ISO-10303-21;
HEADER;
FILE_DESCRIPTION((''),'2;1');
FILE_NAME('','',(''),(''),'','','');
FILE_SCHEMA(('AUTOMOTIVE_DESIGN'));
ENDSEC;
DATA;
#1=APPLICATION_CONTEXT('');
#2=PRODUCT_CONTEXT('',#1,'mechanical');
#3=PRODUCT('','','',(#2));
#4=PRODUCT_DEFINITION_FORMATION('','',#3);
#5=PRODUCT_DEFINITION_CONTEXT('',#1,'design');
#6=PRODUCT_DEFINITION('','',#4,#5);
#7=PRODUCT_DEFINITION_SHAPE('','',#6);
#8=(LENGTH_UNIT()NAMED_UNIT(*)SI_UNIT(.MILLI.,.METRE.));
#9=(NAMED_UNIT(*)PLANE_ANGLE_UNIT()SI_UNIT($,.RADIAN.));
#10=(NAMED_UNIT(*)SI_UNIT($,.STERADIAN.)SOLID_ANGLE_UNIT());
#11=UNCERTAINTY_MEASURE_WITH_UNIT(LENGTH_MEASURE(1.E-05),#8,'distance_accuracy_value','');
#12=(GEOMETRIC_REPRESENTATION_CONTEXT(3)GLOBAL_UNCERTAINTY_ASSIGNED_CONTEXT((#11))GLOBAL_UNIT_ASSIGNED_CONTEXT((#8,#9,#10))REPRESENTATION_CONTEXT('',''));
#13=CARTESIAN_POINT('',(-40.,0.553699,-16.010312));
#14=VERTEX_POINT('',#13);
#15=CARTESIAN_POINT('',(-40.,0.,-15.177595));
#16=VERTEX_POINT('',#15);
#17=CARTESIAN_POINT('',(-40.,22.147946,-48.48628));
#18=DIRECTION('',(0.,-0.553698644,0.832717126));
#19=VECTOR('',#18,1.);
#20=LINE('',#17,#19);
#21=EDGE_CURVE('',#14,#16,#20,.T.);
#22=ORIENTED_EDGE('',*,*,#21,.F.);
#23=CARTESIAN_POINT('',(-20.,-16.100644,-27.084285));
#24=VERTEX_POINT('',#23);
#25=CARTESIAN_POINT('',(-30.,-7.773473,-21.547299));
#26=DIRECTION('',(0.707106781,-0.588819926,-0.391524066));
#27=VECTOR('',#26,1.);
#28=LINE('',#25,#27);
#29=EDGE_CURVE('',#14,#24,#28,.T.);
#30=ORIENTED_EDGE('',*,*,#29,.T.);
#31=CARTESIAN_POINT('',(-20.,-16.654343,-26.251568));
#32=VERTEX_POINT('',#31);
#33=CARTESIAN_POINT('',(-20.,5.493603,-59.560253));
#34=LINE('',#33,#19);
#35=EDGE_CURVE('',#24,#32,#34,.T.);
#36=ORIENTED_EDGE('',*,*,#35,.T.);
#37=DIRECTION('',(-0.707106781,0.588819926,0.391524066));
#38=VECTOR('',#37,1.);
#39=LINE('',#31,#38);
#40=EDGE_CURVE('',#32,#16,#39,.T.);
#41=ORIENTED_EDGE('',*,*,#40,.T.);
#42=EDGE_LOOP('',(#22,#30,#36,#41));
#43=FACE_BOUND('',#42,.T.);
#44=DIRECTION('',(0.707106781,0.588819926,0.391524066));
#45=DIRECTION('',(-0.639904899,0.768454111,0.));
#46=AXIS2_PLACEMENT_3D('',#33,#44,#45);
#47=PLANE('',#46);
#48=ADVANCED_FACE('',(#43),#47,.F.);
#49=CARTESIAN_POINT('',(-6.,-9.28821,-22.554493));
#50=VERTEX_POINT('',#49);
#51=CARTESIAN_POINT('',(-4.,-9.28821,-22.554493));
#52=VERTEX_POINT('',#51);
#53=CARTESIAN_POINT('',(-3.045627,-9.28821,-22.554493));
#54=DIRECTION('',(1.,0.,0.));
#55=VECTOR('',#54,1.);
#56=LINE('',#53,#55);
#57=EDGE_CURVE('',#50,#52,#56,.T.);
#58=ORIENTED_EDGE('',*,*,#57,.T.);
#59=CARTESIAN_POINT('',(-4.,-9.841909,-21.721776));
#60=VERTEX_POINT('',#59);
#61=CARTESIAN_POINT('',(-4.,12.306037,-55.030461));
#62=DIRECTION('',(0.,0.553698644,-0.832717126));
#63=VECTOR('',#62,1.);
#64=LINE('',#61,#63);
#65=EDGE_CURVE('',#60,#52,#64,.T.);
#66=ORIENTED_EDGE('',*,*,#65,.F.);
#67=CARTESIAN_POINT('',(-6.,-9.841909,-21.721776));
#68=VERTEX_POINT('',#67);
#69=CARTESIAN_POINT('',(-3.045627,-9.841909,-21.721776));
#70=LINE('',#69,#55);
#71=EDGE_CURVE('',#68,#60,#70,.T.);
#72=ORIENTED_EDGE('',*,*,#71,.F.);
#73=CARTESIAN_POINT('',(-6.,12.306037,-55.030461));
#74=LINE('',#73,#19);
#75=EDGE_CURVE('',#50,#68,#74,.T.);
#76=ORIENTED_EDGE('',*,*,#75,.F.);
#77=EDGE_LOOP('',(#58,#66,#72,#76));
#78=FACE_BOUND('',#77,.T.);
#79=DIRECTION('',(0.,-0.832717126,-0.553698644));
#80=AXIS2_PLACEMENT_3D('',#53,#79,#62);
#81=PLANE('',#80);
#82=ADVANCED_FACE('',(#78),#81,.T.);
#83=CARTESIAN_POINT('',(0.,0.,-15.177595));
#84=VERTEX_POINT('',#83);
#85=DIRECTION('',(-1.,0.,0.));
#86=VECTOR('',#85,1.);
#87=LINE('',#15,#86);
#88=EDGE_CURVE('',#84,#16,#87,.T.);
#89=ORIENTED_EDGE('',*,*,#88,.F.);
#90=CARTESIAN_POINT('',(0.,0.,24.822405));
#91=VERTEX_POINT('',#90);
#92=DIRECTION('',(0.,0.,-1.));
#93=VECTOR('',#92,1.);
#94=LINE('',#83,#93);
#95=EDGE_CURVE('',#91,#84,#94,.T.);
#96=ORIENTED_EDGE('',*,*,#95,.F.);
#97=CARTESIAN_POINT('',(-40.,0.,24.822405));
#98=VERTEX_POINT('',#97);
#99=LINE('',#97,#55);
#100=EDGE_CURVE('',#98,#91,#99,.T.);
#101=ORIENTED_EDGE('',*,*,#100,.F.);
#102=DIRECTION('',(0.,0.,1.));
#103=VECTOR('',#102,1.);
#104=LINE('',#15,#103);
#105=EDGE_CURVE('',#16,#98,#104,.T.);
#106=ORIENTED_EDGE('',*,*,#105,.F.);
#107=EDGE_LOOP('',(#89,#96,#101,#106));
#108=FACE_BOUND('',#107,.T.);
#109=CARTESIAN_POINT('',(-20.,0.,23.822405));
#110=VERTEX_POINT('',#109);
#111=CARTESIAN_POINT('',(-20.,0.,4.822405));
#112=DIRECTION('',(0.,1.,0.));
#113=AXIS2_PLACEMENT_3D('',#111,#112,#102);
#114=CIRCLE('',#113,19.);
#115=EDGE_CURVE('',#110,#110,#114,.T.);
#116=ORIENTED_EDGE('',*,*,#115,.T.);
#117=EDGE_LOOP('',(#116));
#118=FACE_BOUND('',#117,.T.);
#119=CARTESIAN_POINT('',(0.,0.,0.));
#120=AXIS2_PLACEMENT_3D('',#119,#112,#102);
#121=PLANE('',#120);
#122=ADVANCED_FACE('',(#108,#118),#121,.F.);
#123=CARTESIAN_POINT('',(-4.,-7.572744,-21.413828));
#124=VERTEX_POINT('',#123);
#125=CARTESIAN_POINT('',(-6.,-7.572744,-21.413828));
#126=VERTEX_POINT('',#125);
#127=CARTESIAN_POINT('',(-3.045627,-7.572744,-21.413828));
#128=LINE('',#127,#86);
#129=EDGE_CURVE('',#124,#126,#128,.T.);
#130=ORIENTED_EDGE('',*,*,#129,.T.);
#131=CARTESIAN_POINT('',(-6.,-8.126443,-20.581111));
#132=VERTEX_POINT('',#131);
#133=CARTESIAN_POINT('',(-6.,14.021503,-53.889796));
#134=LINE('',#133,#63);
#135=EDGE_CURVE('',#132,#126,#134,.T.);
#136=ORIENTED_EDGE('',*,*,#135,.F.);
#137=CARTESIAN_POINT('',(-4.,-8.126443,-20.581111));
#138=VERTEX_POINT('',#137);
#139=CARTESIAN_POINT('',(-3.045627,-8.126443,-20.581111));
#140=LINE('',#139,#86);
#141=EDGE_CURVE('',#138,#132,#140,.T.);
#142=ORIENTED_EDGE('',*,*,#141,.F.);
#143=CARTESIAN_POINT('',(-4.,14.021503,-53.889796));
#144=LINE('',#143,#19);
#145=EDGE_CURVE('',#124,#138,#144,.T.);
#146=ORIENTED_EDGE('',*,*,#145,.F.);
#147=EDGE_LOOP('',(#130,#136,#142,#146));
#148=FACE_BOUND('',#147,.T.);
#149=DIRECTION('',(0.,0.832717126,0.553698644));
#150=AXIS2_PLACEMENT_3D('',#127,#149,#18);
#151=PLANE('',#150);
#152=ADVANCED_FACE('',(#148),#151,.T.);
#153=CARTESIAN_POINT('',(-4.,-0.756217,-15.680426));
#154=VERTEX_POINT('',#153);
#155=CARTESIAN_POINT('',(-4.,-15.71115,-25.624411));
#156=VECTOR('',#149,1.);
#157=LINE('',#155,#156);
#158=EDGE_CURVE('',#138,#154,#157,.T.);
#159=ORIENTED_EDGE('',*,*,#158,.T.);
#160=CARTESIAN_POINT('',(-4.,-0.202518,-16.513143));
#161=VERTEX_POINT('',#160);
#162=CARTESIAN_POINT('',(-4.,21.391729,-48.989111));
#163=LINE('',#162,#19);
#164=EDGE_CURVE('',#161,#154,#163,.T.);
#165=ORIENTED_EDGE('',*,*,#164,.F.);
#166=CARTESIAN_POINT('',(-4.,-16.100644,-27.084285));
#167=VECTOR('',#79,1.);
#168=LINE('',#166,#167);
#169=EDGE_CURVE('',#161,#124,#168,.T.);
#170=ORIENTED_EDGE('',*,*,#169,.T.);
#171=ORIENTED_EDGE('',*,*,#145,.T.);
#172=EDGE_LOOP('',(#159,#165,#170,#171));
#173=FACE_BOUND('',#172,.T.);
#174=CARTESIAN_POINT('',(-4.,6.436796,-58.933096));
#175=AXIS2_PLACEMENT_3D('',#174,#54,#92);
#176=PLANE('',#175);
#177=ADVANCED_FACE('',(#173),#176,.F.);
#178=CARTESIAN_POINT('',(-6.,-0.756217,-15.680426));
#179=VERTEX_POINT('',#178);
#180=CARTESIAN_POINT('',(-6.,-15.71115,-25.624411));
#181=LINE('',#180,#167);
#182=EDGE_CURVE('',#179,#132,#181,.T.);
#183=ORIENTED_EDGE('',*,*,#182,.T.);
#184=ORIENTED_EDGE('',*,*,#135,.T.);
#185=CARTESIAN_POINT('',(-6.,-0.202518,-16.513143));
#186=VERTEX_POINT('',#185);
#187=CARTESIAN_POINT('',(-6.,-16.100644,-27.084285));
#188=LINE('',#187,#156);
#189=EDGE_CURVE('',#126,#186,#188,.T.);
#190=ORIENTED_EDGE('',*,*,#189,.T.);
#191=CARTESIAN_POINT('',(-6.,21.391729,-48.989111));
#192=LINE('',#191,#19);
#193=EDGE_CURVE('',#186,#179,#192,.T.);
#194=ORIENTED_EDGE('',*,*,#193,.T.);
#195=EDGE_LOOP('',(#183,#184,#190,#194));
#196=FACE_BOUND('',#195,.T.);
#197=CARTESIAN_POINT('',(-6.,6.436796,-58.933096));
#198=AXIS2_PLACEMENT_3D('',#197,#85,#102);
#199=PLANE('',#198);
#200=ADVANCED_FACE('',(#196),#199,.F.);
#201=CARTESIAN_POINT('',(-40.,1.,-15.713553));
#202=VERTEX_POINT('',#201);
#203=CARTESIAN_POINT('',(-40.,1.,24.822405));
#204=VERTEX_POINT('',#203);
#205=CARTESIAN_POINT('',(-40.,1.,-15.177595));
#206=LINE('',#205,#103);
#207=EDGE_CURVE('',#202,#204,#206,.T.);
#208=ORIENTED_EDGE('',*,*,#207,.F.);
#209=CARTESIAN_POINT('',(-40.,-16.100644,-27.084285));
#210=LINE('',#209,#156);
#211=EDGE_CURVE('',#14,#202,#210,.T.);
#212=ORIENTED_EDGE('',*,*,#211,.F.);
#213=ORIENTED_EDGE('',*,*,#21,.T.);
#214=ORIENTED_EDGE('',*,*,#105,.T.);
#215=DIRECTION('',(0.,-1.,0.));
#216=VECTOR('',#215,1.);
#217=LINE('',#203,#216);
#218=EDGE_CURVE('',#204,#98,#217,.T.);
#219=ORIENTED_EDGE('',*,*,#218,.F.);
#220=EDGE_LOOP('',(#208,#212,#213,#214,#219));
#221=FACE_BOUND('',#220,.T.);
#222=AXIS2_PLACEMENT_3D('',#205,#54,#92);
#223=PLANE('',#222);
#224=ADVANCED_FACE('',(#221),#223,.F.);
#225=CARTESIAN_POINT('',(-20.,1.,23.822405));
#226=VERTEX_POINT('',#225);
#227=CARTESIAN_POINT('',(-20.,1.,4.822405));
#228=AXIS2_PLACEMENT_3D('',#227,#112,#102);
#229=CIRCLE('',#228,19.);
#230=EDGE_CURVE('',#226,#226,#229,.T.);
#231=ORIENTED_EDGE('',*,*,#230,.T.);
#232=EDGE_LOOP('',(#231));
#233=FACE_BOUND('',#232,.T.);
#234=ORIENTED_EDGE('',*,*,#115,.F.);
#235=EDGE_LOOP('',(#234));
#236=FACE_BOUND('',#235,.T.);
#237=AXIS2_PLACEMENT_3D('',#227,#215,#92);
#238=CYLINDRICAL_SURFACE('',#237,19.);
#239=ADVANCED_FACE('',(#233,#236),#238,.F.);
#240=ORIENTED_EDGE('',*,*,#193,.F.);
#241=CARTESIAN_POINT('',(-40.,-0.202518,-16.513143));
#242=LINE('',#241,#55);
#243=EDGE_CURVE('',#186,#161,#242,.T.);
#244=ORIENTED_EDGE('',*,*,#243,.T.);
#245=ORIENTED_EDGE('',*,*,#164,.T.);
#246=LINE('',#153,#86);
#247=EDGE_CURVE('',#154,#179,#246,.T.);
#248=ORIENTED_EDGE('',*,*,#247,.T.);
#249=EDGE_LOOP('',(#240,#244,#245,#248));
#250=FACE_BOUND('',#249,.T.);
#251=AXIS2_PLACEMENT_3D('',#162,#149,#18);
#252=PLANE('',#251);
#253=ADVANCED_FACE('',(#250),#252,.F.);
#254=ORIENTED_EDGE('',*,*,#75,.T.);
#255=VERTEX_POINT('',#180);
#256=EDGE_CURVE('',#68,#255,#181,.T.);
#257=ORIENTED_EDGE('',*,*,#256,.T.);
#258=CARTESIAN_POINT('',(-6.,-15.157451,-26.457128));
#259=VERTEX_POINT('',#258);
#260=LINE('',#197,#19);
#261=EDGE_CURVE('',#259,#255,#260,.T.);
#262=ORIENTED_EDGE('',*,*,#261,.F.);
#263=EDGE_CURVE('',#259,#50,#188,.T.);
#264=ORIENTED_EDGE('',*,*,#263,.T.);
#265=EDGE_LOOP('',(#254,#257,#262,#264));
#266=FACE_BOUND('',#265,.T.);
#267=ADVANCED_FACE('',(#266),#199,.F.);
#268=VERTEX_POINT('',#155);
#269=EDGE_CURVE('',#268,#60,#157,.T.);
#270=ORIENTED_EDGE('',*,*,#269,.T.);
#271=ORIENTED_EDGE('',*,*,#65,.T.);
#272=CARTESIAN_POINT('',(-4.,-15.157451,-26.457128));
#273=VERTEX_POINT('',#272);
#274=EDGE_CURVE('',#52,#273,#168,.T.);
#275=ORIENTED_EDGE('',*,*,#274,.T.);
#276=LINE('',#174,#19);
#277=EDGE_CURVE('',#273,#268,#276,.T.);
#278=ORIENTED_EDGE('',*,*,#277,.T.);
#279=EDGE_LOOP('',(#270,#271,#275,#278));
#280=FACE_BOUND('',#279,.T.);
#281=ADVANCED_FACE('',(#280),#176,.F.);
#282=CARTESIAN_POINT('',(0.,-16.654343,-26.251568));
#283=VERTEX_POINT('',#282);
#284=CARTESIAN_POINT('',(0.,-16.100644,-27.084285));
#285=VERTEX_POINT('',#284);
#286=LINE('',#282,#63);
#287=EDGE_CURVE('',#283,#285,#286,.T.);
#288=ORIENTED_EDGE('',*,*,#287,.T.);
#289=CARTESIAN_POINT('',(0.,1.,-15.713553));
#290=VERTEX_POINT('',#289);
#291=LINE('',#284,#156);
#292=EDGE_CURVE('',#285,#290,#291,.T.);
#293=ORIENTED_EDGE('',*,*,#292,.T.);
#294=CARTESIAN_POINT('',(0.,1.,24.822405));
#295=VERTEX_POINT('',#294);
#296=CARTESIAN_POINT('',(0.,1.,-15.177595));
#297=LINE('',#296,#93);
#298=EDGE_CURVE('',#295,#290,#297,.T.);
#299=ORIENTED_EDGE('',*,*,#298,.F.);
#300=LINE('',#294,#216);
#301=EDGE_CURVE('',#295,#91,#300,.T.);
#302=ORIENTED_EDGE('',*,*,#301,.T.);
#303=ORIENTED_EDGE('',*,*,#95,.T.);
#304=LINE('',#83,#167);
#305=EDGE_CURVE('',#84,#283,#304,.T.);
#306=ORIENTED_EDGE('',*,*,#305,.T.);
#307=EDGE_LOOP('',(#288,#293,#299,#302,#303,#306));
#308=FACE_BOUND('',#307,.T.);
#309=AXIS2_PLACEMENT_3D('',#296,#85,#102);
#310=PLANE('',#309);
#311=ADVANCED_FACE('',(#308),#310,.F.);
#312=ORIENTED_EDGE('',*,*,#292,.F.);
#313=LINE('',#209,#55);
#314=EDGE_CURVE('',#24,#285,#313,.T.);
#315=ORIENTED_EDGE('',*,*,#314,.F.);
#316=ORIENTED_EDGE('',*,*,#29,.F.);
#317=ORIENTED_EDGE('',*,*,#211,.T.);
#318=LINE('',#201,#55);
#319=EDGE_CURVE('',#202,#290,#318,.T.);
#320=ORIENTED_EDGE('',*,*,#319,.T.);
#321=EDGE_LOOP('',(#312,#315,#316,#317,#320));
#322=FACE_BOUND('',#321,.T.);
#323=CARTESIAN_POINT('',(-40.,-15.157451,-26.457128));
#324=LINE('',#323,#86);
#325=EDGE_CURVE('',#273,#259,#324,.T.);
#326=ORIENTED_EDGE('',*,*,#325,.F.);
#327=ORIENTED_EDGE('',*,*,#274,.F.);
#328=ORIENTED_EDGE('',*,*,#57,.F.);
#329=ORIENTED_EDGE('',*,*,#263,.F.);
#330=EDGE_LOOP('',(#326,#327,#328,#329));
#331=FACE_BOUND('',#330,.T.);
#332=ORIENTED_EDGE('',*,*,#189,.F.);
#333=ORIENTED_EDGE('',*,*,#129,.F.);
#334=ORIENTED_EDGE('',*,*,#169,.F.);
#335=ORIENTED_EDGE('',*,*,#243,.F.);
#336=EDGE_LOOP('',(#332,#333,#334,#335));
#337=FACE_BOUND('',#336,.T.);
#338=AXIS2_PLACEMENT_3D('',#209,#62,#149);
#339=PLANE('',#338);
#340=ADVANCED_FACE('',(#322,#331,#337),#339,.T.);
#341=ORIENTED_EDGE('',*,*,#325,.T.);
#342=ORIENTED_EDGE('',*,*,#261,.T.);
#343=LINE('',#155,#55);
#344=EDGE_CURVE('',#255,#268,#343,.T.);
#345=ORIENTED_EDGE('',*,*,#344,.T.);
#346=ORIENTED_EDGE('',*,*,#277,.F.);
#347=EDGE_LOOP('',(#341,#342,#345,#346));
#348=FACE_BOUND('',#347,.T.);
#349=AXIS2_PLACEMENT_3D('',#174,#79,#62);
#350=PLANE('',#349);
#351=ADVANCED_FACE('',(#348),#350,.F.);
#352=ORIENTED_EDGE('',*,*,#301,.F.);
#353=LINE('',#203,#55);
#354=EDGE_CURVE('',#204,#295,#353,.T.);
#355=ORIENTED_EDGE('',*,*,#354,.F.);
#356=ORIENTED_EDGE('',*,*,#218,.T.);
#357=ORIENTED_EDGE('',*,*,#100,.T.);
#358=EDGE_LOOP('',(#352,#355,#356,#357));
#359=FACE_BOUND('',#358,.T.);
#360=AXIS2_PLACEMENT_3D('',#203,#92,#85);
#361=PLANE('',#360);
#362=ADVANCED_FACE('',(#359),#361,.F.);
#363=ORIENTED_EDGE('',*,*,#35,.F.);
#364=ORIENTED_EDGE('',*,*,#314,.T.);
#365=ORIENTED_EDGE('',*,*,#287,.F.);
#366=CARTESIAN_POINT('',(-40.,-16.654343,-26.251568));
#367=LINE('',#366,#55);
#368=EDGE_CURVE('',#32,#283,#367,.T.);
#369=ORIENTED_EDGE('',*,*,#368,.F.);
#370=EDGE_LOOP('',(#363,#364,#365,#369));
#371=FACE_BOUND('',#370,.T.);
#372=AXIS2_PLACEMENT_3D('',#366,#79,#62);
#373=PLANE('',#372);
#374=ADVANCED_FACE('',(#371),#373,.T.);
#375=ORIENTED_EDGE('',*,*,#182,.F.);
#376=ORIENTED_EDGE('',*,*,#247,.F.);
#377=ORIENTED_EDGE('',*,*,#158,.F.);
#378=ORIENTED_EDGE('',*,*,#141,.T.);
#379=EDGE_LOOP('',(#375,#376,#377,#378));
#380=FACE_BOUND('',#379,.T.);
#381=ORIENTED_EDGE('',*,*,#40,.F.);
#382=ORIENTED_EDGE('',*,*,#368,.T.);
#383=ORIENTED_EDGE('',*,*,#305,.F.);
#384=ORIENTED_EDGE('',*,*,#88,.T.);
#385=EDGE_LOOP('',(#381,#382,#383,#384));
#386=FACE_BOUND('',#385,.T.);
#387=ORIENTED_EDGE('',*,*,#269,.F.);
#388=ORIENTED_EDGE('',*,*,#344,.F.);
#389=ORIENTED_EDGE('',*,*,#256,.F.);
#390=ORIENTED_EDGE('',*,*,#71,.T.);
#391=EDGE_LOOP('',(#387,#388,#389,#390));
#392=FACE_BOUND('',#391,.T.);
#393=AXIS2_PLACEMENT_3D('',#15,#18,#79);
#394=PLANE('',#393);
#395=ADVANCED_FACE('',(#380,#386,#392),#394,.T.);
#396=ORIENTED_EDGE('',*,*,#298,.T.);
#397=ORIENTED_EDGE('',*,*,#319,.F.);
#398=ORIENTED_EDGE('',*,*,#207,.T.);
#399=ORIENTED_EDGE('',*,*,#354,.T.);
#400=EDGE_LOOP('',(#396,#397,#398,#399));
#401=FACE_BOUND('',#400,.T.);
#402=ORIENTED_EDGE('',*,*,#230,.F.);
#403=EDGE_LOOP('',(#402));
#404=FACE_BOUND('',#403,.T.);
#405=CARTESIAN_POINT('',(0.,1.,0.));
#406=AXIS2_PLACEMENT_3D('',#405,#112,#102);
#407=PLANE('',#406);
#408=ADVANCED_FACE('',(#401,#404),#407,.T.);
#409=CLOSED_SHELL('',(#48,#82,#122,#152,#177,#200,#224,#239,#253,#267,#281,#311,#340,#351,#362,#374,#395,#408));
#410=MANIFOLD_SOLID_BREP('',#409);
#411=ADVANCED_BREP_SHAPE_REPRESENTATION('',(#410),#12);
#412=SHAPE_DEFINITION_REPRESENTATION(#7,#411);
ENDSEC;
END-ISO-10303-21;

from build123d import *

# Parameters (mm, degrees)
SKETCH1_W           = 40
SKETCH1_H           = 40
SKETCH1_R           = 19
BOSS_EXTRUDE1_DEPTH = 1
BOSS_EXTRUDE3_DEPTH = 40
CUT_EXTRUDE1_DEPTH  = 40
SKETCH4_W           = 2
SKETCH4_H           = 17.959199538
CUT_EXTRUDE2_DEPTH  = 40
SKETCH5_W           = 4.291289536
SKETCH5_H           = 2.060082618
BOSS_EXTRUDE4_DEPTH = 1


with BuildPart() as part:
    # Sketch1 → Boss-Extrude1 (new body)
    with BuildSketch(Plane(origin=(0, 0, 0), x_dir=(1, 0, 0), z_dir=(0, 1, 0))):
        with Locations((-20, -4.822405003)):
            Rectangle(SKETCH1_W, SKETCH1_H)
        with Locations((-20, -4.822405003)):
            Circle(SKETCH1_R, mode=Mode.SUBTRACT)
    extrude(amount=BOSS_EXTRUDE1_DEPTH)

    # Sketch2 → Boss-Extrude3 (add)
    with BuildSketch(Plane(origin=(0, 0, 0), x_dir=(0, 0, -1), z_dir=(1, 0, 0))):
        Polygon((15.177594997, 0), (26.251567878, -16.654342515), (27.084285004, -16.100643871), (15.713552938, 1), (15.177594997, 1), align=None)
    extrude(amount=-BOSS_EXTRUDE3_DEPTH)

    # Sketch3 → Cut-Extrude1 (cut)
    with BuildSketch(Plane(origin=(0, 6.997999648, -10.524414707), x_dir=(1, 0, 0), z_dir=(0, -0.553698644, 0.832717126))):
        Polygon((-20, -28.40381377), (-40, -8.40381377), (-40, -28.40381377), align=None)
    extrude(amount=-CUT_EXTRUDE1_DEPTH, mode=Mode.SUBTRACT)

    # Sketch4 → Cut-Extrude2 (cut)
    with BuildSketch(Plane(origin=(0, 6.997999648, -10.524414707), x_dir=(1, 0, 0), z_dir=(0, -0.553698644, 0.832717126))):
        with Locations((-5, -18.291545123)):
            Rectangle(SKETCH4_W, SKETCH4_H)
    extrude(amount=-CUT_EXTRUDE2_DEPTH, mode=Mode.SUBTRACT)

    # Sketch5 → Boss-Extrude4 (add)
    with BuildSketch(Plane(origin=(0, 6.997999648, -10.524414707), x_dir=(1, 0, 0), z_dir=(0, -0.553698644, 0.832717126))):
        with Locations((-5.191272024, -19.192802864)):
            Rectangle(SKETCH5_W, SKETCH5_H)
    extrude(amount=-BOSS_EXTRUDE4_DEPTH)


solid = part.part
